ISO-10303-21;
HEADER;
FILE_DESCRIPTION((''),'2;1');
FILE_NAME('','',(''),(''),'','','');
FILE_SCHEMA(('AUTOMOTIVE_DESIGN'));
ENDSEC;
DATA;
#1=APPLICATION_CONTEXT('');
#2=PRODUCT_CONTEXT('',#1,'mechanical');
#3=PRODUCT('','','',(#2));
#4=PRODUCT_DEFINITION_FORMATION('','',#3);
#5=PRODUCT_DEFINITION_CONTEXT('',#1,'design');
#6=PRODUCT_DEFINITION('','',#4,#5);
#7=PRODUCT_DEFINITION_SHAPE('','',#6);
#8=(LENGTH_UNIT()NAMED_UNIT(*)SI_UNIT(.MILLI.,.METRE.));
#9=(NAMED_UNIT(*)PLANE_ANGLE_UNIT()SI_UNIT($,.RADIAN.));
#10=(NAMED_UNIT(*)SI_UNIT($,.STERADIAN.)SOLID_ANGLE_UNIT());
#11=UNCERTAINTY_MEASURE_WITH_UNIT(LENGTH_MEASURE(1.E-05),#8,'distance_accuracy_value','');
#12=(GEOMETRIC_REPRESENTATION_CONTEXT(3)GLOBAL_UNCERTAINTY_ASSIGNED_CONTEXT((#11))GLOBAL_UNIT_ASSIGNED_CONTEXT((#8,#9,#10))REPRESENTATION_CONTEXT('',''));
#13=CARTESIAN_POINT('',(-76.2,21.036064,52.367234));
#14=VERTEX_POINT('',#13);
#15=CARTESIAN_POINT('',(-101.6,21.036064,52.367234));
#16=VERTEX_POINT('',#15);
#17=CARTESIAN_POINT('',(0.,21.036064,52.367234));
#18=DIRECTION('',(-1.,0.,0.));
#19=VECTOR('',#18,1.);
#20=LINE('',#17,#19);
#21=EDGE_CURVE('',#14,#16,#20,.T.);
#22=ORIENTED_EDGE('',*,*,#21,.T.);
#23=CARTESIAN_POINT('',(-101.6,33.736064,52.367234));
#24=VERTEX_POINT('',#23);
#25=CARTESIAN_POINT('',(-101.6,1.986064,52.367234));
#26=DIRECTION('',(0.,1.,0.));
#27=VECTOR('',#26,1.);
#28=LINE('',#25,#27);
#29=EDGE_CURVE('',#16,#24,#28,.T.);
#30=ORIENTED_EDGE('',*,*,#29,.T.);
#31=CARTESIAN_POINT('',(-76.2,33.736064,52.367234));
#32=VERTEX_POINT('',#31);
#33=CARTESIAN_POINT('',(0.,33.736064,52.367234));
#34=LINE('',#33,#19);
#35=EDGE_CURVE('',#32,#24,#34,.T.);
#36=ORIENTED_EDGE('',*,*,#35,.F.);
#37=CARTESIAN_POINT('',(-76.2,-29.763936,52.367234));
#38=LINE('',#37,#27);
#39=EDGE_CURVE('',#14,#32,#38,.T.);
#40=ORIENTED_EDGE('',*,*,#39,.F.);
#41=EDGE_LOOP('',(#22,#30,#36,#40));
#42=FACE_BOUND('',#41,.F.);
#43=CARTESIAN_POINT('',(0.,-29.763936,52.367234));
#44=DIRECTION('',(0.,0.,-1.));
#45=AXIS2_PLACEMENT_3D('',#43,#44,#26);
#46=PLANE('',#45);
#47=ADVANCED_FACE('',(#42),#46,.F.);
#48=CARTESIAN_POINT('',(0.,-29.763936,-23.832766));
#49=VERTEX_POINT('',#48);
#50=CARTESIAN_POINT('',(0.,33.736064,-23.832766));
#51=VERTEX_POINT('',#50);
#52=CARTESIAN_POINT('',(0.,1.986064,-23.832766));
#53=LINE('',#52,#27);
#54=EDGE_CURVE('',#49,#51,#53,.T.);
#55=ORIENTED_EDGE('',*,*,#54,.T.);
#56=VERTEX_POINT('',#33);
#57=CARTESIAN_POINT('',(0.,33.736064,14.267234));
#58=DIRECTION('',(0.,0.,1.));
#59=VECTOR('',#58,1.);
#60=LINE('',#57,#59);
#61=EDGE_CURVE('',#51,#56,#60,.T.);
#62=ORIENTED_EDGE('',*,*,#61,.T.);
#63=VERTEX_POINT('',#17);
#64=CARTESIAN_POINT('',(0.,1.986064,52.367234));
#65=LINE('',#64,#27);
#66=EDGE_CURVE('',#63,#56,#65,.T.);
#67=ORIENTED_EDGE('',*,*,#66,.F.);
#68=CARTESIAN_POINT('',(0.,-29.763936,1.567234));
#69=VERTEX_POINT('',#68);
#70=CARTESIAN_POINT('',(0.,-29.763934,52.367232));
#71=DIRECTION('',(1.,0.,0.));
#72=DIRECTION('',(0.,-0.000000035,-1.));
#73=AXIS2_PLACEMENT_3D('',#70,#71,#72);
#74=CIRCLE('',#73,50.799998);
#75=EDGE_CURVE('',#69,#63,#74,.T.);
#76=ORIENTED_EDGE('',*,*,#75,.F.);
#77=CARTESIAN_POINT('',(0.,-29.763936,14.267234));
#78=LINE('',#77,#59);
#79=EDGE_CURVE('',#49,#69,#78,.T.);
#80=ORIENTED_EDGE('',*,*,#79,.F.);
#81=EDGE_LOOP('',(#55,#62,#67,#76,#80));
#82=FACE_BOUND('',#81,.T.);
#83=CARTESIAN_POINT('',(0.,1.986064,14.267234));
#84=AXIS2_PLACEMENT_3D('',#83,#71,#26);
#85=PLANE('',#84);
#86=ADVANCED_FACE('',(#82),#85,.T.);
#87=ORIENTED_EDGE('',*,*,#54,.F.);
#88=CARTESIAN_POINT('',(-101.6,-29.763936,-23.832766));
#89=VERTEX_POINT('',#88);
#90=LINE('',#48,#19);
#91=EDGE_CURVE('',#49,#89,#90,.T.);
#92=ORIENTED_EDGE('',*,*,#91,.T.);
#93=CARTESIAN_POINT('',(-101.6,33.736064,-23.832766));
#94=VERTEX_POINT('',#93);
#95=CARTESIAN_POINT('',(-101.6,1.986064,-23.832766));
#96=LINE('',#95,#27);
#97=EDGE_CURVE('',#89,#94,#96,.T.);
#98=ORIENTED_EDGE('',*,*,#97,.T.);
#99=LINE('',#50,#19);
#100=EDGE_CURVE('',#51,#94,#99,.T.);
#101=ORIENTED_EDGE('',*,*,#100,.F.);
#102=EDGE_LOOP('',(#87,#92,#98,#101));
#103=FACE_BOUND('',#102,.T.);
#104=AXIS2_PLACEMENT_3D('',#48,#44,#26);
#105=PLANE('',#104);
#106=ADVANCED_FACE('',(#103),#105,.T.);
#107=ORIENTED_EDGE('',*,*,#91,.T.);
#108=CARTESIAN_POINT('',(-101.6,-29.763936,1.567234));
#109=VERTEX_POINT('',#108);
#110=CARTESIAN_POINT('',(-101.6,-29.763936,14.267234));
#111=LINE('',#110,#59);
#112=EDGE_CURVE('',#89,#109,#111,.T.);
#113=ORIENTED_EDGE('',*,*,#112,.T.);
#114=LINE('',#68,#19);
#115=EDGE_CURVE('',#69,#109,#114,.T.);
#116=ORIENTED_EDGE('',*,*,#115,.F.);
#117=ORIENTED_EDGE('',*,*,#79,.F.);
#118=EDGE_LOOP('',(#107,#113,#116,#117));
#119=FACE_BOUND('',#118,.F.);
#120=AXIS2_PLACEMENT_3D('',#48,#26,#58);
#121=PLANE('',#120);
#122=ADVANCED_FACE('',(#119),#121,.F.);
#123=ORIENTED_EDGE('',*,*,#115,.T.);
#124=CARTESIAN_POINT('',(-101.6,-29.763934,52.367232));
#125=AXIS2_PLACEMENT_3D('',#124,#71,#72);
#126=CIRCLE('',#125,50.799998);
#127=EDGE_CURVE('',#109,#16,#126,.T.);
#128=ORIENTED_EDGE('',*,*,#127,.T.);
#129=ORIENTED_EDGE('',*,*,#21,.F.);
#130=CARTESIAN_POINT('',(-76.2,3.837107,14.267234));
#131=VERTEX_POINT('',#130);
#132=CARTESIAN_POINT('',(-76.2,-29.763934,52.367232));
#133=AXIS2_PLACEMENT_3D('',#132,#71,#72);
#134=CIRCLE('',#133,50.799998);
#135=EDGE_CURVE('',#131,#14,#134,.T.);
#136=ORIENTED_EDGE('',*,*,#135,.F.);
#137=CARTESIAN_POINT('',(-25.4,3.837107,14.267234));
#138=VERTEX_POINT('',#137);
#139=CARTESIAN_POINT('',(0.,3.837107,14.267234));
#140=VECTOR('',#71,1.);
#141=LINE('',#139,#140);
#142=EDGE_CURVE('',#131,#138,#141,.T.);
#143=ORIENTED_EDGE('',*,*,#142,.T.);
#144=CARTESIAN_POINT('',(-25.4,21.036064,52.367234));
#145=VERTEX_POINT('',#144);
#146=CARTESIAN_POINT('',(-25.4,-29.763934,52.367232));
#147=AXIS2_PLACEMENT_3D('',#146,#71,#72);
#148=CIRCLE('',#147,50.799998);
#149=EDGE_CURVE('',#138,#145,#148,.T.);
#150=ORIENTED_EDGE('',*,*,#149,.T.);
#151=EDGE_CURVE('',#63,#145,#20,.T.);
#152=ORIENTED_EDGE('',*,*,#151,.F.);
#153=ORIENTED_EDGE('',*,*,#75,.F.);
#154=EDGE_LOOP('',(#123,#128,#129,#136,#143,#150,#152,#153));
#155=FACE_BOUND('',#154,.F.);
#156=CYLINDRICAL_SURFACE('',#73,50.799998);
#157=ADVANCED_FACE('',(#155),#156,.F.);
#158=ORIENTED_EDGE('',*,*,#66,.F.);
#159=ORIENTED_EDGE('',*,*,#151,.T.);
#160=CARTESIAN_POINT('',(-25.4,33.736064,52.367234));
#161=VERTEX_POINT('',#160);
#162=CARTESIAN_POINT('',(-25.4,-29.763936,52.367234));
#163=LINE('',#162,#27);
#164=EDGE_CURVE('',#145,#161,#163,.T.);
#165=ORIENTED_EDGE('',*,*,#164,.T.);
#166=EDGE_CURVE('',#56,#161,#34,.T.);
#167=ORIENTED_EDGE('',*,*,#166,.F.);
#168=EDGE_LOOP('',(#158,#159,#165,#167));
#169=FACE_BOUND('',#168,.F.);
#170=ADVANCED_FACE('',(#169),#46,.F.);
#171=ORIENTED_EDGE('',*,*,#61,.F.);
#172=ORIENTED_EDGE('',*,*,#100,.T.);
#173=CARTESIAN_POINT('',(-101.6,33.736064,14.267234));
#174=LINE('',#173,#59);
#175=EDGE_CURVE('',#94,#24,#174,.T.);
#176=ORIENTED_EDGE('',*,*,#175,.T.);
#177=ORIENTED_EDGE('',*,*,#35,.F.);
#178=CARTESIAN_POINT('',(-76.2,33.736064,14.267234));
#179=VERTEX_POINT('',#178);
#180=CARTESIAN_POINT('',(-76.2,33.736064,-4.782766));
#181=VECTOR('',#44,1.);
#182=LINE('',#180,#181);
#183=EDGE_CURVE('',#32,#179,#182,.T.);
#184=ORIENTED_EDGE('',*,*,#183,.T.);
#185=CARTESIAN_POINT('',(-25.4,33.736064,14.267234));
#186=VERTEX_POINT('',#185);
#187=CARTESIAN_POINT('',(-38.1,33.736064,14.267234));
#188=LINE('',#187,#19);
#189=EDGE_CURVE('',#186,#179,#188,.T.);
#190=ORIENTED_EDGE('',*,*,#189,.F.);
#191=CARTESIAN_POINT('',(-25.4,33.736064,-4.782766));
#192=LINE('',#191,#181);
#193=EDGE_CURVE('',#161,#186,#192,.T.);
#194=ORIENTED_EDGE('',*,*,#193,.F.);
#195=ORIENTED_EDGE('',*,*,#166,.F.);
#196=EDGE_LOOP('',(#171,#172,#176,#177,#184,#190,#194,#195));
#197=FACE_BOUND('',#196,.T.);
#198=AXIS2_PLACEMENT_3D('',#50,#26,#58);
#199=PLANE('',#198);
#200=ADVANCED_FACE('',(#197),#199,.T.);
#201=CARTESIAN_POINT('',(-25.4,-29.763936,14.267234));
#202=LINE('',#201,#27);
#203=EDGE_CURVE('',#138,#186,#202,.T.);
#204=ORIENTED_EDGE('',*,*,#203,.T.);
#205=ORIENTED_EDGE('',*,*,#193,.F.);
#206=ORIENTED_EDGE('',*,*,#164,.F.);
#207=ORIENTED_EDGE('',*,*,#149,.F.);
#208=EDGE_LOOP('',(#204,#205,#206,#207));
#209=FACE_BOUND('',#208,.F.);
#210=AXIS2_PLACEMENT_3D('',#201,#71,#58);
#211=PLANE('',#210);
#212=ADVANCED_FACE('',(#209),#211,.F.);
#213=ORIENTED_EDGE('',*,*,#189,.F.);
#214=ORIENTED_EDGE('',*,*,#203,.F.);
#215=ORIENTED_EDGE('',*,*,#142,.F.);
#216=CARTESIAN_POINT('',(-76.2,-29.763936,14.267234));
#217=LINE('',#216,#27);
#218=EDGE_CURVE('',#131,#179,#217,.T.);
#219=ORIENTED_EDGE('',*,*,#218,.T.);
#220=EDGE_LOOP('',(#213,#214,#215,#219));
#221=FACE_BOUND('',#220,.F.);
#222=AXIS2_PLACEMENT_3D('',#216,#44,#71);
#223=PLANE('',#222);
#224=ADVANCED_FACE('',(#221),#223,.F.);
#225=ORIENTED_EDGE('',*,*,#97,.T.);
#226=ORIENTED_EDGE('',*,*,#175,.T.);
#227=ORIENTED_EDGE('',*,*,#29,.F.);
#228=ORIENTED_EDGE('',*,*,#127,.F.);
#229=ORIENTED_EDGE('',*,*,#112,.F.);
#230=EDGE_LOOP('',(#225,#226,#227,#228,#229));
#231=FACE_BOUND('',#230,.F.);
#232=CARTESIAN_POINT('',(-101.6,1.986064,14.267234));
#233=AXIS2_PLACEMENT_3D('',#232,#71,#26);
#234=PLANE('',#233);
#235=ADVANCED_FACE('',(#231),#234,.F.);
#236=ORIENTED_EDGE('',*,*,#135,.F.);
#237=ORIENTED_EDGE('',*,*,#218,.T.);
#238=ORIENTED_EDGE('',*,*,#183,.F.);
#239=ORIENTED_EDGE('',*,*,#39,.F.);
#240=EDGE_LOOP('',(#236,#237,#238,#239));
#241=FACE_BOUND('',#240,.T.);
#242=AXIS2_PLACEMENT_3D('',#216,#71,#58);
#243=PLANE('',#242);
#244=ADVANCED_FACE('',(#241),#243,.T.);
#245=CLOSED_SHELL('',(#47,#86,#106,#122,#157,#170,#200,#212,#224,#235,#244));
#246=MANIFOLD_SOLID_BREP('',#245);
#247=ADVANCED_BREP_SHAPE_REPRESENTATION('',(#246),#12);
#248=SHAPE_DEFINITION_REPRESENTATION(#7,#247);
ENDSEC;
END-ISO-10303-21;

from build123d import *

# Parameters (mm, degrees)
F0_W     = 63.5
F0_H     = 76.2
F1_DEPTH = 101.6
F3_W     = 50.8
F3_H     = 38.1
F4_DEPTH = 63.501
F5_DEPTH = 101.601


with BuildPart() as f1:
    # F0 (on Right) → F1 (new body)
    with BuildSketch(Plane.YZ):
        with Locations((1.986064, 14.267234)):
            Rectangle(F0_W, F0_H)
    extrude(amount=-F1_DEPTH)

    # F3 (on face) → F4 (cut, through all)
    with BuildSketch(Plane.XZ.offset(29.763936)):
        with Locations((-50.8, 33.317234)):
            Rectangle(F3_W, F3_H)
    extrude(amount=-F4_DEPTH, mode=Mode.SUBTRACT)

    # F2 (on face) → F5 (cut, through all)
    with BuildSketch(Plane.YZ):
        with BuildLine():
            ThreePointArc((-29.763936, 1.567234), (6.157089, 16.446209), (21.036064, 52.367234))
            Line((21.036064, 52.367234), (-29.763936, 52.367234))
            Line((-29.763936, 52.367234), (-29.763936, 1.567234))
        make_face()
        with BuildLine():
            Line((-29.763936, 52.367234), (21.036064, 52.367234))
            ThreePointArc((21.036064, 52.367234), (-65.68496, 88.288258), (-29.763936, 1.567234))
            Line((-29.763936, 1.567234), (-29.763936, 52.367234))
        make_face()
    extrude(amount=-F5_DEPTH, mode=Mode.SUBTRACT)


solid = f1.part
